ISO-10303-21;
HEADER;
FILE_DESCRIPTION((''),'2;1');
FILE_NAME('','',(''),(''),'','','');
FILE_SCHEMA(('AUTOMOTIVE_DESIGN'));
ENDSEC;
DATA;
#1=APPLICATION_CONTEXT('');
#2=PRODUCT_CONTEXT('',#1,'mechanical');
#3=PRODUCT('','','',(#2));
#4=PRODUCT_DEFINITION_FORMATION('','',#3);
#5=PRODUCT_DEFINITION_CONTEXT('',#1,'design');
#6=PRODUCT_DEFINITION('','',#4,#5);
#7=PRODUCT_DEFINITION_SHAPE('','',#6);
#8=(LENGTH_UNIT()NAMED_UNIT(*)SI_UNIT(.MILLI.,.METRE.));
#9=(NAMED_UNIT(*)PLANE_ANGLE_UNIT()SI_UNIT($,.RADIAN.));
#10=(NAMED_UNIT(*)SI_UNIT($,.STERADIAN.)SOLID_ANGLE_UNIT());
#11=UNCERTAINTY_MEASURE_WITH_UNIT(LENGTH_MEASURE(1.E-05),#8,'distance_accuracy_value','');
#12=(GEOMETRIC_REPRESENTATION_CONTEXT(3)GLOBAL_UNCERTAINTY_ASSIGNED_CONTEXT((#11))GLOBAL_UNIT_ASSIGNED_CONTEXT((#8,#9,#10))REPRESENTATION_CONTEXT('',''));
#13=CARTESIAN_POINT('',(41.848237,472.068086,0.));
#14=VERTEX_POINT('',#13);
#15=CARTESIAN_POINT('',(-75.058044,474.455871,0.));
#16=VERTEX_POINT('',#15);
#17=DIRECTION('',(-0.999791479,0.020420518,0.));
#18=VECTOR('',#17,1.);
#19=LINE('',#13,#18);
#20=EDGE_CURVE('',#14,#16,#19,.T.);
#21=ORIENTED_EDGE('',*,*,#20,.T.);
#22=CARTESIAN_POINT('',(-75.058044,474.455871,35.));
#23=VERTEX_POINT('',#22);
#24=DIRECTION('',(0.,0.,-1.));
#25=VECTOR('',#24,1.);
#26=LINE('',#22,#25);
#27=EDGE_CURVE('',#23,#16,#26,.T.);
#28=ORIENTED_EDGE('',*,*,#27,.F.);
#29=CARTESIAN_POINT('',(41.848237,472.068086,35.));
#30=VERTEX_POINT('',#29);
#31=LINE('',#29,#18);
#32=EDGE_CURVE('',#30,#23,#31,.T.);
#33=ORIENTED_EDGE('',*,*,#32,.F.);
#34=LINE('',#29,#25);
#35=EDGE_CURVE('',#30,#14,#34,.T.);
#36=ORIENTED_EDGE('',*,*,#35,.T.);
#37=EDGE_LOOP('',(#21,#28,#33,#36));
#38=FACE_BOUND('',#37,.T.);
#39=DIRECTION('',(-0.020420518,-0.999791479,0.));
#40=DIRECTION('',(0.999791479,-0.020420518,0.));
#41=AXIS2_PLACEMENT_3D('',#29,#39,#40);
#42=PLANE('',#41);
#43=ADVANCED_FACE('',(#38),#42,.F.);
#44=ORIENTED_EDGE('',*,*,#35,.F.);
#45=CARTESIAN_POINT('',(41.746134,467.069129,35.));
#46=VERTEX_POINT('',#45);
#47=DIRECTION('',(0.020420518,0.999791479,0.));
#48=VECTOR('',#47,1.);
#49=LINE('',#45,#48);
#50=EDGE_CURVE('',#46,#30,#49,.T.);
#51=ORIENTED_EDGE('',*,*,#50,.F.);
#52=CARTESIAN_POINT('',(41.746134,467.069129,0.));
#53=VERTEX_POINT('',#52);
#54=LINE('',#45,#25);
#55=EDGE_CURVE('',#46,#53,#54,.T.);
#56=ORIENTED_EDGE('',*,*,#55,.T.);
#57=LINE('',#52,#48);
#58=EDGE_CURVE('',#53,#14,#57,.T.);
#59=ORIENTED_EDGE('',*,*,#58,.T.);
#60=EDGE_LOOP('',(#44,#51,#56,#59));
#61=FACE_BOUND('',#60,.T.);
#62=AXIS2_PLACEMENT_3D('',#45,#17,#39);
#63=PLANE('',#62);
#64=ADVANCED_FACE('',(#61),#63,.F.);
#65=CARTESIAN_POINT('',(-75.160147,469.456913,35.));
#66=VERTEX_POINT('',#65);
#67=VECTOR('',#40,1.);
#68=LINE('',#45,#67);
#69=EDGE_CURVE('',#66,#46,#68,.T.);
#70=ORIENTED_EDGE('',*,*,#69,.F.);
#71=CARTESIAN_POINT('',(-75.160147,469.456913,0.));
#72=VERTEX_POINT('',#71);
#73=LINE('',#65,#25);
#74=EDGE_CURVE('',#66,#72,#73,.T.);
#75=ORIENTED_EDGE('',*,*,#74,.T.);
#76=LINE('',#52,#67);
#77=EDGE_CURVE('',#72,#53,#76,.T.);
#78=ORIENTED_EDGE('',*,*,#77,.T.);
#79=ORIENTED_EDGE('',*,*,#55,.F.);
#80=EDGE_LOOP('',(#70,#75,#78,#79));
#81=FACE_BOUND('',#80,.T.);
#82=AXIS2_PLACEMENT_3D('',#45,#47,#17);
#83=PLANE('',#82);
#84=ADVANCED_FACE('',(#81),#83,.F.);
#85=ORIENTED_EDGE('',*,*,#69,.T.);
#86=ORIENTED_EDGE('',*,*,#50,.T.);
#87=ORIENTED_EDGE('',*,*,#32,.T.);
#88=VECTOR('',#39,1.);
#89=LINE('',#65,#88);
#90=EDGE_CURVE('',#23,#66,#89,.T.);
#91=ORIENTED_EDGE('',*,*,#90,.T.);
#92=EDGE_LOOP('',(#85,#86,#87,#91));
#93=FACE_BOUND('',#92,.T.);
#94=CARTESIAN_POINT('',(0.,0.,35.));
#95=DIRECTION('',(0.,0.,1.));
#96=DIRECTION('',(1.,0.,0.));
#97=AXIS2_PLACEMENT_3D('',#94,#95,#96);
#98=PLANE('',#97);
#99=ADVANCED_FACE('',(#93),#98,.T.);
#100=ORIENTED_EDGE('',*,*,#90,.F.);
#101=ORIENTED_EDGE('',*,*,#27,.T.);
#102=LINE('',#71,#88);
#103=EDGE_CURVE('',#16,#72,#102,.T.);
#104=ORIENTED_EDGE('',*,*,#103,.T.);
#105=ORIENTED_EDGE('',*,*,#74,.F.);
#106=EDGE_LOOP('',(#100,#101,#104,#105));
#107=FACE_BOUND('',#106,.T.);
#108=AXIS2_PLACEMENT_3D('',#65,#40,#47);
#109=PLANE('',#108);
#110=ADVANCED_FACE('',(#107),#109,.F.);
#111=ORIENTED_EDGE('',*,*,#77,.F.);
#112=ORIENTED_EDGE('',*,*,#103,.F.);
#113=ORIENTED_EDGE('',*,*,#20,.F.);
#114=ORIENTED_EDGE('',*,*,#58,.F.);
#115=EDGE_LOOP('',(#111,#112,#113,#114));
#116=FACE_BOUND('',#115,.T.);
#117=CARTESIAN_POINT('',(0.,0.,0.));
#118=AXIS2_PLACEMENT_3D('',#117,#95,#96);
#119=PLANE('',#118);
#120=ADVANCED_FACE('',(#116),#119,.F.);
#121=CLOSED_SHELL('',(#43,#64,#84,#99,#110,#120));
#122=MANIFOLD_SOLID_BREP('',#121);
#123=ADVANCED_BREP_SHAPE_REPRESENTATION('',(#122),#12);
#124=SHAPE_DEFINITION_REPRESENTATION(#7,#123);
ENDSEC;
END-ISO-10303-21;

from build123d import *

# Parameters (mm, degrees)
BOSS_EXTRUDE1_DEPTH = 35


with BuildPart() as part:
    # Sketch4 → Boss-Extrude1 (new body)
    with BuildSketch(Plane(origin=(11.947136755, 45.550168558, 0), x_dir=(0.967281961, -0.253703778, 0), z_dir=(0, 0, 1))):
        Polygon((-78.116920089, 415.287804625), (-191.804047123, 387.937900462), (-192.973539508, 392.799205592), (-79.286412474, 420.149109755), align=None)
    extrude(amount=BOSS_EXTRUDE1_DEPTH)


solid = part.part
